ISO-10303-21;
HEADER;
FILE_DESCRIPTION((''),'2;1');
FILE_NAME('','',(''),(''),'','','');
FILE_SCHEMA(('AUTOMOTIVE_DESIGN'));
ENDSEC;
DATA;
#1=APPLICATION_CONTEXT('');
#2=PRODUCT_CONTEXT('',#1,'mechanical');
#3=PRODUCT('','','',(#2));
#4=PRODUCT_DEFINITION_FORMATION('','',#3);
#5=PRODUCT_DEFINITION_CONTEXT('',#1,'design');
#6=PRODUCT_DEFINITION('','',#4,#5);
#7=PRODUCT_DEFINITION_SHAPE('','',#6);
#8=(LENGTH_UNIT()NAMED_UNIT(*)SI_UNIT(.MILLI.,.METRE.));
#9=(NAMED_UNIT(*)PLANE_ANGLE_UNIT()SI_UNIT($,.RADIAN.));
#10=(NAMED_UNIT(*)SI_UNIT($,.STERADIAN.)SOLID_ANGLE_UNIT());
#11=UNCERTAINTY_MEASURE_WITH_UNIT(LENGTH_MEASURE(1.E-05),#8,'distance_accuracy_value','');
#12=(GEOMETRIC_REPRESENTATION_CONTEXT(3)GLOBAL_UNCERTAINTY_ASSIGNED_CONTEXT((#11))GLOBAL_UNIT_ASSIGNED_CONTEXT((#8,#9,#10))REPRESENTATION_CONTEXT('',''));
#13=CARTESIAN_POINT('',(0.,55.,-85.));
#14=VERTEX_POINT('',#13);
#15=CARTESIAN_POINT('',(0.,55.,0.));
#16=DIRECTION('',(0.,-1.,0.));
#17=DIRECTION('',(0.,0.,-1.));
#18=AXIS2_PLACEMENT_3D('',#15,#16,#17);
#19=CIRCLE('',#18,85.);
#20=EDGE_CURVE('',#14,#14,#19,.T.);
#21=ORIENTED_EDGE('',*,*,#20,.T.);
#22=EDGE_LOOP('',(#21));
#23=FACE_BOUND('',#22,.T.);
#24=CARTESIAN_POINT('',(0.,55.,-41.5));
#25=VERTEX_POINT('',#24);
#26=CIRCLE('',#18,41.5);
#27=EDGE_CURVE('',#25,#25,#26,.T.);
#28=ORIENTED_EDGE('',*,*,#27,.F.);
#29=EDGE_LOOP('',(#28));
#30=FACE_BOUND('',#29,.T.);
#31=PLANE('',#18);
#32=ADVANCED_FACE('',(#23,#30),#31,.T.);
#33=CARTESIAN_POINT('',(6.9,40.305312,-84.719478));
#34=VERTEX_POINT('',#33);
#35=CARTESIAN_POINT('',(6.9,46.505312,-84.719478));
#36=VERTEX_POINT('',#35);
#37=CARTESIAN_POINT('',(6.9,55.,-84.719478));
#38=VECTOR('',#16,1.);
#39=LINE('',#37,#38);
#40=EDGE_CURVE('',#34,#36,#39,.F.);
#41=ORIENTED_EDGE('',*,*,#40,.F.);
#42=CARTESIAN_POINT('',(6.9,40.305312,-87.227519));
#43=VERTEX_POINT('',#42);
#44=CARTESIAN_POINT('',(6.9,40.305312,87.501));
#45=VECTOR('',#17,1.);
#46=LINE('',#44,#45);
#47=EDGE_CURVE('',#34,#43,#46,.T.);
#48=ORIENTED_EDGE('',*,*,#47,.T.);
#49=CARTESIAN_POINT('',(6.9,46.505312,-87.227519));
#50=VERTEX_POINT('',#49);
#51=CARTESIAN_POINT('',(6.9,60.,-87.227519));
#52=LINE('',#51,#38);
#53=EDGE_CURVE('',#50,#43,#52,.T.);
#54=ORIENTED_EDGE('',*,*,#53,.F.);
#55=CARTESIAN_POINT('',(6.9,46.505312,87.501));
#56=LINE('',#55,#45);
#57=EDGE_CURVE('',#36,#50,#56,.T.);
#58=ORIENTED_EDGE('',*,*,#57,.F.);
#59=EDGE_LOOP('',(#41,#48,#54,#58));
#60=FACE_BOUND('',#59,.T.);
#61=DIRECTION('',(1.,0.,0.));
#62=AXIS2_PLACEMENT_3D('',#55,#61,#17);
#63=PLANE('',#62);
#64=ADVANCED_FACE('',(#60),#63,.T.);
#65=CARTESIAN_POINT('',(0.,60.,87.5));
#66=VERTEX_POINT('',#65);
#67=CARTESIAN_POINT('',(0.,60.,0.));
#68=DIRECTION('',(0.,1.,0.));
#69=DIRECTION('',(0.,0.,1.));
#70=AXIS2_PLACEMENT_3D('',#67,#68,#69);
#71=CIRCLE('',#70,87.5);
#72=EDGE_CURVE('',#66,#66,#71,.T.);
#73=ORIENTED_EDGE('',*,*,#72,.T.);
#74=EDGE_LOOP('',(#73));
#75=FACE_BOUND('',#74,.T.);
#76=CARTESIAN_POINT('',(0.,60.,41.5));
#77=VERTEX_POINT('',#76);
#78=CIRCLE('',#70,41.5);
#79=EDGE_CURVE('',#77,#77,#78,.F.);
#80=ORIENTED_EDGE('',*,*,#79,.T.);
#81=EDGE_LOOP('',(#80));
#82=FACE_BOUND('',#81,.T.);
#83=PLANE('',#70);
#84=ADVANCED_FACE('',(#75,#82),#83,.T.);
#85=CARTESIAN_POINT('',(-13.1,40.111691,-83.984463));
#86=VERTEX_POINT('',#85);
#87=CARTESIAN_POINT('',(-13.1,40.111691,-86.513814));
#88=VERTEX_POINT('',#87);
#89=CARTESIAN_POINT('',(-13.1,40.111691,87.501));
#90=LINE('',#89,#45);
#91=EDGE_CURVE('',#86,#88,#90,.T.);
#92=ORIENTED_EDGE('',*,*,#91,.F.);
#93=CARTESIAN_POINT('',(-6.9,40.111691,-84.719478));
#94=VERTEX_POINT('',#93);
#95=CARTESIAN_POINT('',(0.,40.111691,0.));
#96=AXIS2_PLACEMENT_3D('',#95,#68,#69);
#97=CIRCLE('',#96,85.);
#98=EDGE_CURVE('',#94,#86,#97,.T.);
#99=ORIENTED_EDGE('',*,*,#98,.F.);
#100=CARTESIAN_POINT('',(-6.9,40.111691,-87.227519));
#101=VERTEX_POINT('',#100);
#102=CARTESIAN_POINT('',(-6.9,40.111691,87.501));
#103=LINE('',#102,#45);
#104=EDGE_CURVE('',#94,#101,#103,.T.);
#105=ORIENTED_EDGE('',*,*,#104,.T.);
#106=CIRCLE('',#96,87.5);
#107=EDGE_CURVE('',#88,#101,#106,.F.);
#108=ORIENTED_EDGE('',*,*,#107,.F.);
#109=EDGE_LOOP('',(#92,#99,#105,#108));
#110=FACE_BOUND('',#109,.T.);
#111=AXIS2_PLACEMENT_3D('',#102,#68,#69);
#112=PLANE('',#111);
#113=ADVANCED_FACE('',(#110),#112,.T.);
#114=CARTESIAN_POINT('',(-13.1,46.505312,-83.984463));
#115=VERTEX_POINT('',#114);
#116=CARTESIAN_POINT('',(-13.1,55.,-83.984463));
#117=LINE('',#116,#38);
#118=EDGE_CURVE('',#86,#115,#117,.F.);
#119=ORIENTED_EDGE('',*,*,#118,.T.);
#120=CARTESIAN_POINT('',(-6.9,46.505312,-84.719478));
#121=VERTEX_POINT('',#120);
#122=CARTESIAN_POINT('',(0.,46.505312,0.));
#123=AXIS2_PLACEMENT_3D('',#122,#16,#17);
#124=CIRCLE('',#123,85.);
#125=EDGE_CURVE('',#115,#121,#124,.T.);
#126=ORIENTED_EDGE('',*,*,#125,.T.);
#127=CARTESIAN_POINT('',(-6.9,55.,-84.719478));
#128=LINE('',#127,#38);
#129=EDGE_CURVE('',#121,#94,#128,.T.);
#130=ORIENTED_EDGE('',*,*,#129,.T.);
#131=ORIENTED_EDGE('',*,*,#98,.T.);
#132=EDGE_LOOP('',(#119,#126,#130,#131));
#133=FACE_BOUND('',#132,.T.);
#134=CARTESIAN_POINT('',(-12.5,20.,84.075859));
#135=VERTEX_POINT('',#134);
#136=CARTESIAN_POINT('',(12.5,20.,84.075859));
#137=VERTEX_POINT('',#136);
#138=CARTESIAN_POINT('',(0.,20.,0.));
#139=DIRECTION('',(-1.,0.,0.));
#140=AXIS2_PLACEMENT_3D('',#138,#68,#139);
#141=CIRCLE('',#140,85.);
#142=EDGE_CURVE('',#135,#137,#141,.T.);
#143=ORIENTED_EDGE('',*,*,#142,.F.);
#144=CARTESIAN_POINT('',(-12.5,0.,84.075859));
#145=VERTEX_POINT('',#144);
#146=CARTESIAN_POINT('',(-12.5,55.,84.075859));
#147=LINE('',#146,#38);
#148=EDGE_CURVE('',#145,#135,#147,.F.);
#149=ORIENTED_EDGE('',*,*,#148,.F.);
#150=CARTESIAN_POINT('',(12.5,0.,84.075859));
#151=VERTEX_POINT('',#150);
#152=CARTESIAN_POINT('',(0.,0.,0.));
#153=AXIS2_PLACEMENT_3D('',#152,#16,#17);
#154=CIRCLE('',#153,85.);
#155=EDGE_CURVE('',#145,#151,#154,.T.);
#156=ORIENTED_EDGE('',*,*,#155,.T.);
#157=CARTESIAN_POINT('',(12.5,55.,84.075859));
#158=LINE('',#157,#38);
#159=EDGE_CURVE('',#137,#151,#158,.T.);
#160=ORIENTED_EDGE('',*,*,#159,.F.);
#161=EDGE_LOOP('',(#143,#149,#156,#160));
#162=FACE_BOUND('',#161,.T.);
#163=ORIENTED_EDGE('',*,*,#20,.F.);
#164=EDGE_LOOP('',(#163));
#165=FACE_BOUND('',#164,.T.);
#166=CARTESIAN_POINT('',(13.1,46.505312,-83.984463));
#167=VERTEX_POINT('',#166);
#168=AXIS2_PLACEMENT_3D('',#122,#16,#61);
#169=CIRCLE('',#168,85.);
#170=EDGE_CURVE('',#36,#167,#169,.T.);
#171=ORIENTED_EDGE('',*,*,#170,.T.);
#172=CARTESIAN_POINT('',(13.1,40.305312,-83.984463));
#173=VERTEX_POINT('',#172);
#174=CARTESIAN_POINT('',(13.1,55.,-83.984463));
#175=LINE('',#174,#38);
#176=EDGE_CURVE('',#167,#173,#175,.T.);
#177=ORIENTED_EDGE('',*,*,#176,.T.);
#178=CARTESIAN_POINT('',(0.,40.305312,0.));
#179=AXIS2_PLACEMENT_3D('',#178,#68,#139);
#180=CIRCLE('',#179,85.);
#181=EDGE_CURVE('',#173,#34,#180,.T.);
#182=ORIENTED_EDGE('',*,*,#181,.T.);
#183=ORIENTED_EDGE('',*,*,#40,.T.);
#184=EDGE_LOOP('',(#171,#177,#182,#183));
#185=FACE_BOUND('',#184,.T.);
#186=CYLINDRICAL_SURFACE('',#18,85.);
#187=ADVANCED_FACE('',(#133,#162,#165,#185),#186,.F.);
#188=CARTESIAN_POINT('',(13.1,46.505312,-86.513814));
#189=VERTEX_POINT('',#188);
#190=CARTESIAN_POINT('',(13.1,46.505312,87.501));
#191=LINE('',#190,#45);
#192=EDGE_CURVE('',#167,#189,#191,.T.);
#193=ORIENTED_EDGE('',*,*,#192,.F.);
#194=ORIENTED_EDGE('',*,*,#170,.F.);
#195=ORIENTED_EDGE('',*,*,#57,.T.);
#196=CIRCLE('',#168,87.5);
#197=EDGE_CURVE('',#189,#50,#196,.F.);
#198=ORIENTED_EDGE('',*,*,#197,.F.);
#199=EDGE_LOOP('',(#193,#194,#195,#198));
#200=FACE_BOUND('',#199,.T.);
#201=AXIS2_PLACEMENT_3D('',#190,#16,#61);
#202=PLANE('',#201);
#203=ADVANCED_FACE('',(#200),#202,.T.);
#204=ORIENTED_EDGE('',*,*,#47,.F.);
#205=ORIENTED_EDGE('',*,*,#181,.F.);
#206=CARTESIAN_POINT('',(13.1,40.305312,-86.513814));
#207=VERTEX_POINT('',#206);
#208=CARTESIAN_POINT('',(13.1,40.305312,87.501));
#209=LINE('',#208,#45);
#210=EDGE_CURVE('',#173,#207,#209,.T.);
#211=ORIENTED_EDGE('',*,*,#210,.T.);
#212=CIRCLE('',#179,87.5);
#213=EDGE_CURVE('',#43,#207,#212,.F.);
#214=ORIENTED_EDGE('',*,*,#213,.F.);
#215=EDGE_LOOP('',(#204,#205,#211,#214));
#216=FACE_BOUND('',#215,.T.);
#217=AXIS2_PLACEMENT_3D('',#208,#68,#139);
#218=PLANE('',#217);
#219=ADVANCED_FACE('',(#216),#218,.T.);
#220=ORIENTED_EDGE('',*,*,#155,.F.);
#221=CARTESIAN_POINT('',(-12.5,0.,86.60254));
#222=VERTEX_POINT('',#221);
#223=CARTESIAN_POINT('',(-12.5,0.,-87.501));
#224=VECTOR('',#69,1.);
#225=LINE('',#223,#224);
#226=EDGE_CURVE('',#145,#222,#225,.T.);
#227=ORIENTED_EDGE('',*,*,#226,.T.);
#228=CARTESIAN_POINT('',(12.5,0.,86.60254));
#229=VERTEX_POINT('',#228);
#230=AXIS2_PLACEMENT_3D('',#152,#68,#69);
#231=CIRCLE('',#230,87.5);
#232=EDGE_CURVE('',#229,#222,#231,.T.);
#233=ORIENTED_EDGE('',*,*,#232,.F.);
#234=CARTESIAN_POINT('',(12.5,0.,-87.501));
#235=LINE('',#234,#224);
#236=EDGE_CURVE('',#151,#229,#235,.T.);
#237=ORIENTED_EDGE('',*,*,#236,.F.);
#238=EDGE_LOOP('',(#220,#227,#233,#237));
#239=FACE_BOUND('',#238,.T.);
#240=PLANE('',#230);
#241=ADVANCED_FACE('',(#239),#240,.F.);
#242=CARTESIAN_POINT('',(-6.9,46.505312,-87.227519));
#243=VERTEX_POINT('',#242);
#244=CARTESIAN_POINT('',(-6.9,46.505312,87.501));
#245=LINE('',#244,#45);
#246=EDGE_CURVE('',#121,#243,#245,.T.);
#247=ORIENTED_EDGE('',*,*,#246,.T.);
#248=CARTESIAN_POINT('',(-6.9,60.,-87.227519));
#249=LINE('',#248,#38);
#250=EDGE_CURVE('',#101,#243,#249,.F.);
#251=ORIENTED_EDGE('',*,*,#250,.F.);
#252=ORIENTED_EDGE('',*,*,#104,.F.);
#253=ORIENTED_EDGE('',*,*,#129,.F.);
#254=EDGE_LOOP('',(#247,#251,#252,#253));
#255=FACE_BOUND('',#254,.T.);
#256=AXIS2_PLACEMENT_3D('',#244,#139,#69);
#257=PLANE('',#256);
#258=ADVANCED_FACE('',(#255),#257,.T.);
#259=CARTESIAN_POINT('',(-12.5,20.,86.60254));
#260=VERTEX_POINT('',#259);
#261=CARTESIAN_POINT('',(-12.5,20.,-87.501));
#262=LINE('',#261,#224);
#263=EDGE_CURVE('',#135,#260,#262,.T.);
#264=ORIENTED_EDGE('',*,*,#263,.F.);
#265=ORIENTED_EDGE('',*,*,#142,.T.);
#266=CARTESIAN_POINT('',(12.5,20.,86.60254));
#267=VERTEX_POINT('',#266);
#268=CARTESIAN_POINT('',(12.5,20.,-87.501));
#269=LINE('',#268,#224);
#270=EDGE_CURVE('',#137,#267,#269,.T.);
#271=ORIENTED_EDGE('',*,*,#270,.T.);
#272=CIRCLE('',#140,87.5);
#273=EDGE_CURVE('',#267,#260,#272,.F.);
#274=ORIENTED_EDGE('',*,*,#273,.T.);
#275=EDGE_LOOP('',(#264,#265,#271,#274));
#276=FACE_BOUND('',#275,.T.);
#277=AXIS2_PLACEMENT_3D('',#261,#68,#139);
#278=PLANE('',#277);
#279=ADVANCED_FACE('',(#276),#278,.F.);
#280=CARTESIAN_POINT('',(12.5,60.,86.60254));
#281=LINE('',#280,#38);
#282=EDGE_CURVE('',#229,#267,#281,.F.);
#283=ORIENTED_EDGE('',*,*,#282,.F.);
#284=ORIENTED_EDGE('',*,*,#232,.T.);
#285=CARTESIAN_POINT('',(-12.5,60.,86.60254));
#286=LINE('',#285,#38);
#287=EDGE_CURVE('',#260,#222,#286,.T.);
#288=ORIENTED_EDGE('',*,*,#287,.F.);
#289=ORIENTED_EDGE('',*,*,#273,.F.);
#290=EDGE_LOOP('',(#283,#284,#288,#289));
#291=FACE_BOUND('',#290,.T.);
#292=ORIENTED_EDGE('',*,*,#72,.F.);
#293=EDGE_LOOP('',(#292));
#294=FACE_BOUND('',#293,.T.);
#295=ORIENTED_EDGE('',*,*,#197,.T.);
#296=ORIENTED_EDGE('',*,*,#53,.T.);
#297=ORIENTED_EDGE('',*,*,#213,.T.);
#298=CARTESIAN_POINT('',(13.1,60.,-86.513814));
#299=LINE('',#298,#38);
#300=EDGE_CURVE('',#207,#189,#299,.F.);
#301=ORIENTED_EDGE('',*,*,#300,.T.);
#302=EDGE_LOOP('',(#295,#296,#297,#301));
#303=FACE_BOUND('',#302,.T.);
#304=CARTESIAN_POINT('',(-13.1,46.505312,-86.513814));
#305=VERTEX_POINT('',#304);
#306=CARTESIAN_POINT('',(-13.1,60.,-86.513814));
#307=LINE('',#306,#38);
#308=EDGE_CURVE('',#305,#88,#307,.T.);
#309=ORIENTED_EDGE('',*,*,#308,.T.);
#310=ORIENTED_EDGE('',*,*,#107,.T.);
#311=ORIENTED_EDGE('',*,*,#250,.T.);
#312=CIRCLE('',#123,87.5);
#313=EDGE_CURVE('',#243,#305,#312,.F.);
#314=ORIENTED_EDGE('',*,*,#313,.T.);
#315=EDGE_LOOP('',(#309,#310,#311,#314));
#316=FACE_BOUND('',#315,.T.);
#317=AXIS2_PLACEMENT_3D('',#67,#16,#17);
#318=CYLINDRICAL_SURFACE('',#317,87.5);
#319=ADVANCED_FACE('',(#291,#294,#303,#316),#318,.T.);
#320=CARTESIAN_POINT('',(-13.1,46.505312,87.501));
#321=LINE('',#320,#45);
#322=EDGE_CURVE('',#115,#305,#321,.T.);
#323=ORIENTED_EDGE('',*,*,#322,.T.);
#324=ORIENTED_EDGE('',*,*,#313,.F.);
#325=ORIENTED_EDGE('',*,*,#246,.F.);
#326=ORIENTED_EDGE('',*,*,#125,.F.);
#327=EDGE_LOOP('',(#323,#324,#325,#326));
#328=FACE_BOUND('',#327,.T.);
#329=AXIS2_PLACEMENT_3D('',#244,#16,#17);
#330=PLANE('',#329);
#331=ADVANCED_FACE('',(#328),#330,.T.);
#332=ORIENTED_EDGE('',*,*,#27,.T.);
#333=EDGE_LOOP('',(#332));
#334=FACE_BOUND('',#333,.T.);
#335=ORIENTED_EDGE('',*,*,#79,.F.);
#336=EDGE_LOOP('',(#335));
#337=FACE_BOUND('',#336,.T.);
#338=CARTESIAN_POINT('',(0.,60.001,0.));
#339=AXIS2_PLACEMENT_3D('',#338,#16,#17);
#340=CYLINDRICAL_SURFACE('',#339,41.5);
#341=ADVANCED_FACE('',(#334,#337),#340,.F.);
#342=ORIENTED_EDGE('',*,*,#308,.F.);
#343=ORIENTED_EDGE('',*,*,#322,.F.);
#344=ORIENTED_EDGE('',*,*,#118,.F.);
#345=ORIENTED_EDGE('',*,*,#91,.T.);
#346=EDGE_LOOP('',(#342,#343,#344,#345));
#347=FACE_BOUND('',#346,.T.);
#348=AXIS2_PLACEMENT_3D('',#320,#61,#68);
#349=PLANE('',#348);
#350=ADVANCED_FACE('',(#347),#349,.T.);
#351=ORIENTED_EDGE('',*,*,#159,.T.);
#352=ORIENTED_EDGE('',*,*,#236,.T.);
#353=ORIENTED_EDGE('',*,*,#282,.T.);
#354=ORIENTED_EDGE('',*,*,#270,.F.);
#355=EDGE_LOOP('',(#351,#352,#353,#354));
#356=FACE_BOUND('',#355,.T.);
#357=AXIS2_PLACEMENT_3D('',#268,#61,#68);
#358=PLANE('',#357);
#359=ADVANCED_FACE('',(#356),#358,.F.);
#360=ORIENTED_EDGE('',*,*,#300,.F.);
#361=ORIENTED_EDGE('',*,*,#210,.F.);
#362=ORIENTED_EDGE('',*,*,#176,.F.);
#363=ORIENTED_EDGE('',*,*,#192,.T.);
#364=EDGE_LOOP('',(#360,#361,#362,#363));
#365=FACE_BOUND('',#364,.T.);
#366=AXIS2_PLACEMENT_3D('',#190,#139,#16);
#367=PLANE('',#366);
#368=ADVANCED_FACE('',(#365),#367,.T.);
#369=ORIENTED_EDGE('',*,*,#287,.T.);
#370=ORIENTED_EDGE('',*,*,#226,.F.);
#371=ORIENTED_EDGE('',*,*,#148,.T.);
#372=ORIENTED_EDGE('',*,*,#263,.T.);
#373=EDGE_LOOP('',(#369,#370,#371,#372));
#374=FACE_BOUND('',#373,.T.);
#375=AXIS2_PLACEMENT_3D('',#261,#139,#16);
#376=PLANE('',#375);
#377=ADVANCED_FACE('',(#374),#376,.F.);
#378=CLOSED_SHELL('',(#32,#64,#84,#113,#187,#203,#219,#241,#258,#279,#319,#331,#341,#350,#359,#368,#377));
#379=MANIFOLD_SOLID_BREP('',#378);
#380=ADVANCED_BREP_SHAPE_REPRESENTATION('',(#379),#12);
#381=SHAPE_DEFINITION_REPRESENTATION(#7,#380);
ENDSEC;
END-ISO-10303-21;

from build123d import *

# Parameters (mm, degrees)
SKETCH1_R               = 87.5
BOSS_EXTRUDE1_DEPTH     = 60
SKETCH2_R               = 85
CUT_EXTRUDE1_DEPTH      = 55
CUT_EXTRUDE2_REACH      = 137.416
SKETCH3_R               = 41.5
CUT_EXTRUDE3_REACH      = 206.649
CUT_EXTRUDE3_END_RADIUS = 85
SKETCH4_W               = 25
SKETCH4_H               = 20
CUT_EXTRUDE5_REACH      = 206.649
CUT_EXTRUDE5_END_RADIUS = 85
SKETCH5_W               = 6.2
SKETCH5_H               = 6.2
SKETCH5_H_2             = 6.393620859


with BuildPart() as part:
    # Sketch1 → Boss-Extrude1 (new body)
    with BuildSketch(Plane(origin=(0, 0, 0), x_dir=(1, 0, 0), z_dir=(0, 1, 0))):
        with Locations(Location((0, 0, 0), (0, 0, 270))):
            Circle(SKETCH1_R)
    extrude(amount=BOSS_EXTRUDE1_DEPTH)

    # Sketch2 → Cut-Extrude1 (cut)
    with BuildSketch(Plane.XZ):
        with Locations(Location((0, 0, 0), (0, 0, 270))):
            Circle(SKETCH2_R)
    extrude(amount=-CUT_EXTRUDE1_DEPTH, mode=Mode.SUBTRACT)

    # Sketch3 → Cut-Extrude2 (cut, up to next)
    with BuildSketch(Plane.XZ.offset(-55), mode=Mode.PRIVATE) as cut_extrude2_sk1:
        with Locations(Location((0, 0, 0), (0, 0, 270))):
            Circle(SKETCH3_R)
    cut_extrude2_tool1 = extrude(cut_extrude2_sk1.sketch, amount=-CUT_EXTRUDE2_REACH, mode=Mode.PRIVATE) & part.part
    add(cut_extrude2_tool1.solids().sort_by_distance((0, 55, 0))[0], mode=Mode.SUBTRACT)

    # Cut-Extrude3: up to this cylinder (the profile starts outside it)
    cut_extrude3_end = Plane(origin=(0, 10, 0), z_dir=(0, -1, 0)) * Cylinder(CUT_EXTRUDE3_END_RADIUS, 584.298, mode=Mode.PRIVATE)
    # Sketch4 → Cut-Extrude3 (cut, up to the surface)
    with BuildSketch(Plane.XY.offset(87.5), mode=Mode.PRIVATE) as cut_extrude3_sk1:
        with Locations((0, 10)):
            Rectangle(SKETCH4_W, SKETCH4_H)
    cut_extrude3_tool1 = extrude(cut_extrude3_sk1.sketch, amount=-CUT_EXTRUDE3_REACH, mode=Mode.PRIVATE) - cut_extrude3_end
    add(cut_extrude3_tool1.solids().sort_by_distance((0, 10, 87.5))[0], mode=Mode.SUBTRACT)

    # Cut-Extrude5: up to this cylinder (the profile starts outside it)
    cut_extrude5_end = Plane(origin=(0, 43.356907, 0), z_dir=(0, -1, 0)) * Cylinder(CUT_EXTRUDE5_END_RADIUS, 584.39481, mode=Mode.PRIVATE)
    # Sketch5 → Cut-Extrude5 (cut, up to the surface)
    with BuildSketch(Plane.XY.offset(-87.5), mode=Mode.PRIVATE) as cut_extrude5_sk1:
        with Locations((10, 43.405312256)):
            Rectangle(SKETCH5_W, SKETCH5_H)
    cut_extrude5_tool1 = extrude(cut_extrude5_sk1.sketch, amount=CUT_EXTRUDE5_REACH, mode=Mode.PRIVATE) - cut_extrude5_end
    add(cut_extrude5_tool1.solids().sort_by_distance((10, 43.405312, -87.5))[0], mode=Mode.SUBTRACT)
    # Sketch5 → Cut-Extrude5 (cut, up to the surface)
    with BuildSketch(Plane.XY.offset(-87.5), mode=Mode.PRIVATE) as cut_extrude5_sk2:
        with Locations((-10, 43.308501827)):
            Rectangle(SKETCH5_W, SKETCH5_H_2)
    cut_extrude5_tool2 = extrude(cut_extrude5_sk2.sketch, amount=CUT_EXTRUDE5_REACH, mode=Mode.PRIVATE) - cut_extrude5_end
    add(cut_extrude5_tool2.solids().sort_by_distance((-10, 43.308502, -87.5))[0], mode=Mode.SUBTRACT)


solid = part.part
